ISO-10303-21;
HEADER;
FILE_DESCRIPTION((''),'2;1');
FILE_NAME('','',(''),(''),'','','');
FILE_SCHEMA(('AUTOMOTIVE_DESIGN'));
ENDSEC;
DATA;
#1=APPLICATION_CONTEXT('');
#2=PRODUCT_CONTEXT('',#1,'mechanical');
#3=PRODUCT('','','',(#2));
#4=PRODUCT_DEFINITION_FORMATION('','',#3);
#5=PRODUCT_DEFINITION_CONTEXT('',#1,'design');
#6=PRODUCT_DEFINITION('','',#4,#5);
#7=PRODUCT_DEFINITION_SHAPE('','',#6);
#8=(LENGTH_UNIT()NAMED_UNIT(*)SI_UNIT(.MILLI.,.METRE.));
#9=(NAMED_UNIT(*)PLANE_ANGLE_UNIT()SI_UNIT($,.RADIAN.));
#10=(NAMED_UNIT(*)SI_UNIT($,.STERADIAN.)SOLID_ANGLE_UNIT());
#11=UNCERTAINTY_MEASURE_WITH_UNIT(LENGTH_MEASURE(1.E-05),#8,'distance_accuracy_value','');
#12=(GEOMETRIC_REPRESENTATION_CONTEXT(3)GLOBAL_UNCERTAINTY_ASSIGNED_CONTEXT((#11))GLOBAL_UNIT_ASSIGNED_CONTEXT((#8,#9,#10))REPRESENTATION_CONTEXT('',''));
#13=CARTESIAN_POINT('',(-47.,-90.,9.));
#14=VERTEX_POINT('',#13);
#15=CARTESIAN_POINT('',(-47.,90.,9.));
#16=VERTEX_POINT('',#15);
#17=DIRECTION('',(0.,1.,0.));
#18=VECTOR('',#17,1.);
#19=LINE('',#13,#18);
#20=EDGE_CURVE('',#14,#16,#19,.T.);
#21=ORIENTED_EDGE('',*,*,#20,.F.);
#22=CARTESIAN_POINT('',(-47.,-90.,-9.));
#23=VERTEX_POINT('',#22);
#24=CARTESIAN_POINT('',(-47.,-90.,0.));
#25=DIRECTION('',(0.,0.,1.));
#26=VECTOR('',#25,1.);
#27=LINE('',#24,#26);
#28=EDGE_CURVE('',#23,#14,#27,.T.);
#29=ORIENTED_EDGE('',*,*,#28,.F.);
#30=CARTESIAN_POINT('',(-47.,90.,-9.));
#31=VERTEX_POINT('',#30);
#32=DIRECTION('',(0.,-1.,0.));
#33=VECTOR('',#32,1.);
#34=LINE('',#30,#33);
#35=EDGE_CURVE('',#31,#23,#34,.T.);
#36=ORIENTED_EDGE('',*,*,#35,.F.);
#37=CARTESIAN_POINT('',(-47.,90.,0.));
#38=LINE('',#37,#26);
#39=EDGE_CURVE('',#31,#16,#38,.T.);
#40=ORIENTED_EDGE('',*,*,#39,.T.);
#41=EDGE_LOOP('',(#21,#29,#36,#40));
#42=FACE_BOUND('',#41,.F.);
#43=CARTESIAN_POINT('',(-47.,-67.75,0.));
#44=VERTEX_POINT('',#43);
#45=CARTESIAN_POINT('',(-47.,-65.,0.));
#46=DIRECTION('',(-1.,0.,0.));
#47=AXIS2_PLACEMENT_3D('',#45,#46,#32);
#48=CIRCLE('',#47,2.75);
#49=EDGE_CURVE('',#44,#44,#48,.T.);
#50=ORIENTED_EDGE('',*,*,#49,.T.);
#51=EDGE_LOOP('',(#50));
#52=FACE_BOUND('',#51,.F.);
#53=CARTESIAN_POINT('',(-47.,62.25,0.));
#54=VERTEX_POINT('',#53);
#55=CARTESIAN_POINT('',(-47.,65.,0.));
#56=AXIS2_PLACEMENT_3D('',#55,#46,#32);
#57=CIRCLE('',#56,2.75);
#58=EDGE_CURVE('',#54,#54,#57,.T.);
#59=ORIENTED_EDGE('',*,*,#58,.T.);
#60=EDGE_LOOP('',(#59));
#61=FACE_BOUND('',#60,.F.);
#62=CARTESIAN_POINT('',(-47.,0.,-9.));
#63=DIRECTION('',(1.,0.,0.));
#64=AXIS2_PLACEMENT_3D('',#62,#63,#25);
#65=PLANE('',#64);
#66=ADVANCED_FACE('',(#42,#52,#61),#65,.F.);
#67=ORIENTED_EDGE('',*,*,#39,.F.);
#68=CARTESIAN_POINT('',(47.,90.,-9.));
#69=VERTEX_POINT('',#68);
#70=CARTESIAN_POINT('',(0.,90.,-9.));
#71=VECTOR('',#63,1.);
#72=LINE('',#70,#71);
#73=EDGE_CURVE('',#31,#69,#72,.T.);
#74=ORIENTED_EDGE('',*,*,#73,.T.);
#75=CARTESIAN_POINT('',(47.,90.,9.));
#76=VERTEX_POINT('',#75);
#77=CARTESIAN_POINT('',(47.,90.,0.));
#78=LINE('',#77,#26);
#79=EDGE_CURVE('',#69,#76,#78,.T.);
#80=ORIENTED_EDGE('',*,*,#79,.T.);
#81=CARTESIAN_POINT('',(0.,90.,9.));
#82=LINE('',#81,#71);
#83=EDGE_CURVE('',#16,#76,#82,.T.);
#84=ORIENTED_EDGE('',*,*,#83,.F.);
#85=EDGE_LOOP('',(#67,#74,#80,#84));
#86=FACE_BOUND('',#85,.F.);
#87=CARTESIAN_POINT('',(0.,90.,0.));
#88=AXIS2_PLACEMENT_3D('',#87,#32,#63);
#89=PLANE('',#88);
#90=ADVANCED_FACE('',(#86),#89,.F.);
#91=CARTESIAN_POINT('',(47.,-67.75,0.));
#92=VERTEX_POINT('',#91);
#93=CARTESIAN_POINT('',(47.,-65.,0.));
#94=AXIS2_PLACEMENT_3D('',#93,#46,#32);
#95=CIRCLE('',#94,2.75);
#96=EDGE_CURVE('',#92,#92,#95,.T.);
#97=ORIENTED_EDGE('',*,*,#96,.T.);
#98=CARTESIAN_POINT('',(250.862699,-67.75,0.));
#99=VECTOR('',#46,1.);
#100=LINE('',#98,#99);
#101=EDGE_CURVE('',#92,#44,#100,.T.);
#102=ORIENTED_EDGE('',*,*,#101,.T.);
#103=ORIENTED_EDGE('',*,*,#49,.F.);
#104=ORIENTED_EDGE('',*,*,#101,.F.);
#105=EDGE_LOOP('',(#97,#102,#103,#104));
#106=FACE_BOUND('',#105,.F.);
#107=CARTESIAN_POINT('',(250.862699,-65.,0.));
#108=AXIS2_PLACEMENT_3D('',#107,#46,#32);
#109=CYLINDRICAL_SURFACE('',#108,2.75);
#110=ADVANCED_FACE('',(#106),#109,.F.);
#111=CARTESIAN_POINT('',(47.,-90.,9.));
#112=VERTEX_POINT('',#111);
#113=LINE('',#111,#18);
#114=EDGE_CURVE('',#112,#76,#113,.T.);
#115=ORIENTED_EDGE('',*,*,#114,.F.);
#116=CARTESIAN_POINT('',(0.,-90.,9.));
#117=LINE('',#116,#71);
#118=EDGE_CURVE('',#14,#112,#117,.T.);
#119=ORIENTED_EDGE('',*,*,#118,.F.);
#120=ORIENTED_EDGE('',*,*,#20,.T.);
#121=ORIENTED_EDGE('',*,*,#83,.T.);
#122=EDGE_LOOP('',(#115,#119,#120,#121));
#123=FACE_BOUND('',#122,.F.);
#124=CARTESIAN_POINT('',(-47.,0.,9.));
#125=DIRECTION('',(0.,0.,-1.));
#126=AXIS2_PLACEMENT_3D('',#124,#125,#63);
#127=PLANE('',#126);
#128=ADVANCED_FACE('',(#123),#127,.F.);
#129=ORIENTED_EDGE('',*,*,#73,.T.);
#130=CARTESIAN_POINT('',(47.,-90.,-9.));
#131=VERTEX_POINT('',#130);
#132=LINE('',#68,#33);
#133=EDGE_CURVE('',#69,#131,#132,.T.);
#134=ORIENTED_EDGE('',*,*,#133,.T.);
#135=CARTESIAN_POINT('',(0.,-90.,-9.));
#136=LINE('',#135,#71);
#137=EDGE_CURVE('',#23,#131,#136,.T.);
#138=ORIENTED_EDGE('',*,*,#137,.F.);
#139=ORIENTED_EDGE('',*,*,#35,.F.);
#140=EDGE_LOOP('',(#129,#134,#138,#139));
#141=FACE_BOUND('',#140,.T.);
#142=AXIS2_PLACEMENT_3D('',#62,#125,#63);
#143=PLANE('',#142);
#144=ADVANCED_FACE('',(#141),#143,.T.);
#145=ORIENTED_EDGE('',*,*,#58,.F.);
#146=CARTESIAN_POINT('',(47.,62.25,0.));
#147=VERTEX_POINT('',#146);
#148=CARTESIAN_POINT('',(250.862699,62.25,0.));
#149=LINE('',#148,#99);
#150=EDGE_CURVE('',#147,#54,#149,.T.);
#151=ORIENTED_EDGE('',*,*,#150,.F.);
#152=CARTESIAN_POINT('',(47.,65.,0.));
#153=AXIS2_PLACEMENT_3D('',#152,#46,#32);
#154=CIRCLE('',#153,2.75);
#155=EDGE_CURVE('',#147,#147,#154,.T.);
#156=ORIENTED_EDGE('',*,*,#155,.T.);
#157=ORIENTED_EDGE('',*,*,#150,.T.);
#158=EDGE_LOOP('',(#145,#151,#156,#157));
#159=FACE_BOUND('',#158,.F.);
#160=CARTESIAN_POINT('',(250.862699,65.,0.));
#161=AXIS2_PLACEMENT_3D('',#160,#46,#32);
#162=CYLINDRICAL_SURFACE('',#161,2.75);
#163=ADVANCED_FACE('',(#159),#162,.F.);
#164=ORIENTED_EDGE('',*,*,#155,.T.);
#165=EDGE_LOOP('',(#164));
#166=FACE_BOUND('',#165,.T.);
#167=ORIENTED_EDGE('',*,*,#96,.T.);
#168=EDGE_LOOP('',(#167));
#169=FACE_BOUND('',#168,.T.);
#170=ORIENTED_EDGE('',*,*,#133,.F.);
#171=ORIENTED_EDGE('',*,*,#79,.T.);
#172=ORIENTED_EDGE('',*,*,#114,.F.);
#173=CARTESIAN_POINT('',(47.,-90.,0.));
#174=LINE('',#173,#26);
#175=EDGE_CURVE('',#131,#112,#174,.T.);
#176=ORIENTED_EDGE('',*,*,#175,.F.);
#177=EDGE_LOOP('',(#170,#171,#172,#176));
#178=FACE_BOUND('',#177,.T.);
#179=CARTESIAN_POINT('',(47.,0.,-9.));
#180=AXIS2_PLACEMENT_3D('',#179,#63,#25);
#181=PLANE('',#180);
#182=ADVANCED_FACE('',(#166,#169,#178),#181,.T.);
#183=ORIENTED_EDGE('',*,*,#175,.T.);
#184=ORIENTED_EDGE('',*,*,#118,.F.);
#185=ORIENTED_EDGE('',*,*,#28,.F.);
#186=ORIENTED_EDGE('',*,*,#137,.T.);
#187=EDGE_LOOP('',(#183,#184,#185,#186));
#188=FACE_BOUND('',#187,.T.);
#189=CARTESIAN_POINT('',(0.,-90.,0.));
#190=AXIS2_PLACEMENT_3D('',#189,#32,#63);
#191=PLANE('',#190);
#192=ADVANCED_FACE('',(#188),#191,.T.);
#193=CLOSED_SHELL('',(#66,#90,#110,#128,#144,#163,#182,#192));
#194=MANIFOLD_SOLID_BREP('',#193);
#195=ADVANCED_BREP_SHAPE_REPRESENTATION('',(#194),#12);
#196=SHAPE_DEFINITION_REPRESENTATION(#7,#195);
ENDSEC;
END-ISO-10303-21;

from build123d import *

# Parameters (mm, degrees)
F0_W     = 94
F0_H     = 18
F1_DEPTH = 90
F3_D     = 5.5


with BuildPart() as f1:
    # F0 (on Front) → F1 (new body, symmetric)
    with BuildSketch(Plane.XZ):
        Rectangle(F0_W, F0_H)
    extrude(amount=F1_DEPTH, both=True)

    # F3 (through all)
    with Locations(Plane.YZ.offset(47)):
        with Locations((-65, 0), (65, 0)):
            Hole(F3_D / 2)


solid = f1.part
